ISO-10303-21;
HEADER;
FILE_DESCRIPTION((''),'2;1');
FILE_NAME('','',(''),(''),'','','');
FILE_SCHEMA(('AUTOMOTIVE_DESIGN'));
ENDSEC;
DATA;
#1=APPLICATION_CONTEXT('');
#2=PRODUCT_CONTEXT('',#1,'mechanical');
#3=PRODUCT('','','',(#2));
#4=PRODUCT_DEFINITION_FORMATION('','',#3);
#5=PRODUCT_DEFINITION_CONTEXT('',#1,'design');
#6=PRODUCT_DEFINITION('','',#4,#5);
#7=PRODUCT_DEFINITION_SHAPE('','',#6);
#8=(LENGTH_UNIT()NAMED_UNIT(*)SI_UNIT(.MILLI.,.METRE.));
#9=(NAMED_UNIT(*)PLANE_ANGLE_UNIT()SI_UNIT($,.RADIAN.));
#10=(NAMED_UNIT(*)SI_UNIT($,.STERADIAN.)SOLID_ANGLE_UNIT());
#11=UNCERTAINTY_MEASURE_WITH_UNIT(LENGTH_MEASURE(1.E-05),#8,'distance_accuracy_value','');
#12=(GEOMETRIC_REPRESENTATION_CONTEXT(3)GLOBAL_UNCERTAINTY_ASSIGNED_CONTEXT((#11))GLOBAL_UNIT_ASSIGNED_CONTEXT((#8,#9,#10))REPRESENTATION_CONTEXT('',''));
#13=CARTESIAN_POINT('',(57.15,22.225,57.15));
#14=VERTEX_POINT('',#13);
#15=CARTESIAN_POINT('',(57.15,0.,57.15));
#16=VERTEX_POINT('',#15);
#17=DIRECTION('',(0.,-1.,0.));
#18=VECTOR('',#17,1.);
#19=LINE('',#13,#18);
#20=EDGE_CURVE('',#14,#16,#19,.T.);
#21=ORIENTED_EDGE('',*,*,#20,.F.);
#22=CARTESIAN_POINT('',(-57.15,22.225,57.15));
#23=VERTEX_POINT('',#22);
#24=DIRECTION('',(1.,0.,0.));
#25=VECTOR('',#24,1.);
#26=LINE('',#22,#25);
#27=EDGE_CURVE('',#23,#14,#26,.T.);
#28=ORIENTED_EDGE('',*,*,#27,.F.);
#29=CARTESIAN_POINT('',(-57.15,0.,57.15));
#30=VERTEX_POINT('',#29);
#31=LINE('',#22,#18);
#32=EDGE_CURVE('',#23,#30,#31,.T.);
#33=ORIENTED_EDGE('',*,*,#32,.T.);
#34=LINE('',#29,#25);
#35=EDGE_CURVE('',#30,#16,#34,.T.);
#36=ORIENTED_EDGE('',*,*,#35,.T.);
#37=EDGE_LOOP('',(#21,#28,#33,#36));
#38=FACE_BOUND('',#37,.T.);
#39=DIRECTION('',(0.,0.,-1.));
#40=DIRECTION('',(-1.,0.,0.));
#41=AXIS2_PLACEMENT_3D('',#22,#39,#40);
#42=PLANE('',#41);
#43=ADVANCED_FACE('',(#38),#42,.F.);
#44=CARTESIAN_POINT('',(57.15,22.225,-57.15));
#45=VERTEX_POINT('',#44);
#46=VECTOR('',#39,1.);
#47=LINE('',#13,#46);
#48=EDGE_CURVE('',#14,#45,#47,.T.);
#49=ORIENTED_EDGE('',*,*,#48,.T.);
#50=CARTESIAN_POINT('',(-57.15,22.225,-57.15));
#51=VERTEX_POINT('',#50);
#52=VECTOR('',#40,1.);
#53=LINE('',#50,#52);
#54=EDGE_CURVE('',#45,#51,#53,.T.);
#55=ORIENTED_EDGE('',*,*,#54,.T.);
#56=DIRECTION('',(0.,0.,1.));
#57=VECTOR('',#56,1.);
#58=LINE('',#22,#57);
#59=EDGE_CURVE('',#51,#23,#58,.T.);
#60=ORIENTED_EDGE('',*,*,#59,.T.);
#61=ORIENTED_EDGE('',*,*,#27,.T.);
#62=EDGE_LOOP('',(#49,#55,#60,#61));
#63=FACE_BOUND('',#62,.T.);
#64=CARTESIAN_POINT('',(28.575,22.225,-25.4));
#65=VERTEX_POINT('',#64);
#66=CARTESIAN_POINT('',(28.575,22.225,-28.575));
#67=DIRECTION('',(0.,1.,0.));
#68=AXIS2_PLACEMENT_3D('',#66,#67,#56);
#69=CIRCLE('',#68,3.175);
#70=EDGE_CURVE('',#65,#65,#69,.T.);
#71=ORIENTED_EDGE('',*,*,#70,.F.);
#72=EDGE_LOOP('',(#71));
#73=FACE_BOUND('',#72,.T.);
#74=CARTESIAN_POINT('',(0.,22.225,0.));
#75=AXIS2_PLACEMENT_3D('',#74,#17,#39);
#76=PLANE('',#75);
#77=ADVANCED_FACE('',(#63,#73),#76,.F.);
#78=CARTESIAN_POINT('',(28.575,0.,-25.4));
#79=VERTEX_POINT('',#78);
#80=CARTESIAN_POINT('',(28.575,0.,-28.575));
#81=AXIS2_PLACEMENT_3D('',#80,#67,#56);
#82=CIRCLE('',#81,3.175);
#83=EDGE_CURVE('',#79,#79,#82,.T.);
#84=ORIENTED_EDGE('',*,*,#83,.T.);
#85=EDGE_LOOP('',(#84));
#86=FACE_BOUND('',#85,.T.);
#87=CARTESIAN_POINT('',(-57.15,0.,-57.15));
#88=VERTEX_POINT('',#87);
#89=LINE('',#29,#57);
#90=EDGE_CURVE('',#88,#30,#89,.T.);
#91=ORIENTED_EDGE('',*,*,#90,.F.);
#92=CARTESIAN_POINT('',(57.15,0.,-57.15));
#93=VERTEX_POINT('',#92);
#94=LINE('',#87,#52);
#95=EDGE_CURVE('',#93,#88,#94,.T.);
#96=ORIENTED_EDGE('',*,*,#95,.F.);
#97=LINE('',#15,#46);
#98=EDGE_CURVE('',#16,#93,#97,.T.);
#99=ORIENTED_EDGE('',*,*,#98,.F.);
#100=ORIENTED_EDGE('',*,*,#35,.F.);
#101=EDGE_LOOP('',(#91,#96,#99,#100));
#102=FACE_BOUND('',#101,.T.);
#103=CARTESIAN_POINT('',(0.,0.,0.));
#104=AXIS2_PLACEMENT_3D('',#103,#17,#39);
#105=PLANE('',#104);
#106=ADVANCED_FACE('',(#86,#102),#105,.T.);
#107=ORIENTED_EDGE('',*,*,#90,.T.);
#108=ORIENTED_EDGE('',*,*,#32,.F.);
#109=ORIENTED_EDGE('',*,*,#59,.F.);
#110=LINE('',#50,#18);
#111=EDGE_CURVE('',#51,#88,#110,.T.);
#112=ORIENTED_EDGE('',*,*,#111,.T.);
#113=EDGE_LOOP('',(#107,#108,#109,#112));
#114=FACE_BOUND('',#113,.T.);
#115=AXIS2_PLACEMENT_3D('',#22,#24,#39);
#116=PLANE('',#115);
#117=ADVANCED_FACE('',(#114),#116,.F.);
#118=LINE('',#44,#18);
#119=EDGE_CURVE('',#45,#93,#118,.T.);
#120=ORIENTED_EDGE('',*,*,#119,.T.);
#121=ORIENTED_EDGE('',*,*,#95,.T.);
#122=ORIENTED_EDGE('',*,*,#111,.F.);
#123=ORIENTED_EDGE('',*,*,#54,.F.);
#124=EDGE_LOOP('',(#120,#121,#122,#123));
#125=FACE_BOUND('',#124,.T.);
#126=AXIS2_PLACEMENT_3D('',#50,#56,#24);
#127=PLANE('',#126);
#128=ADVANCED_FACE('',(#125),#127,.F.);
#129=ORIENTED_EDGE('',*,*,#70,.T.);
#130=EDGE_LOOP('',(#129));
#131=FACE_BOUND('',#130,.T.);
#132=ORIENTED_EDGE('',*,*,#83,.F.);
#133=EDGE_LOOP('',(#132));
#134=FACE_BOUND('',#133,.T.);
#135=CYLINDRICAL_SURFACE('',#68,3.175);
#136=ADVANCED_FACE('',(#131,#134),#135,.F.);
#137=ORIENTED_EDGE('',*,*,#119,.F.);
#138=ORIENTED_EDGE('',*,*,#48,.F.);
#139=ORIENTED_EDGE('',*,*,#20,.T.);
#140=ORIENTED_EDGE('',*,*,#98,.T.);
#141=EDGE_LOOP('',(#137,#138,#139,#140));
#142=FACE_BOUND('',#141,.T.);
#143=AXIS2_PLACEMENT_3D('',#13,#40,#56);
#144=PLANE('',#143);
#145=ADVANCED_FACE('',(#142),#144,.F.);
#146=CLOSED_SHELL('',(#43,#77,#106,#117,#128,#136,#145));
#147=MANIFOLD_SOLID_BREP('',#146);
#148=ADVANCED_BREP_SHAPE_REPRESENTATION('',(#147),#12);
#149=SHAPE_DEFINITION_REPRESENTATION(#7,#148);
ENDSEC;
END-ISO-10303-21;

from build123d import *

# Parameters (mm, degrees)
SKETCH1_W                   = 114.3
SKETCH1_H                   = 114.3
BOSS_EXTRUDE1_DEPTH         = 22.225
F_1_4_0_25_DIAMETER_HOLE1_D = 6.35


with BuildPart() as part:
    # Sketch1 → Boss-Extrude1 (new body)
    with BuildSketch(Plane(origin=(0, 0, 0), x_dir=(1, 0, 0), z_dir=(0, 1, 0))):
        Rectangle(SKETCH1_W, SKETCH1_H)
    extrude(amount=BOSS_EXTRUDE1_DEPTH)

    # 1/4 (0.25) Diameter Hole1 (through all)
    with Locations(Plane(origin=(0, 22.225, 0), x_dir=(1, 0, 0), z_dir=(0, 1, 0))):
        with Locations((28.575, 28.575)):
            Hole(F_1_4_0_25_DIAMETER_HOLE1_D / 2)


solid = part.part
